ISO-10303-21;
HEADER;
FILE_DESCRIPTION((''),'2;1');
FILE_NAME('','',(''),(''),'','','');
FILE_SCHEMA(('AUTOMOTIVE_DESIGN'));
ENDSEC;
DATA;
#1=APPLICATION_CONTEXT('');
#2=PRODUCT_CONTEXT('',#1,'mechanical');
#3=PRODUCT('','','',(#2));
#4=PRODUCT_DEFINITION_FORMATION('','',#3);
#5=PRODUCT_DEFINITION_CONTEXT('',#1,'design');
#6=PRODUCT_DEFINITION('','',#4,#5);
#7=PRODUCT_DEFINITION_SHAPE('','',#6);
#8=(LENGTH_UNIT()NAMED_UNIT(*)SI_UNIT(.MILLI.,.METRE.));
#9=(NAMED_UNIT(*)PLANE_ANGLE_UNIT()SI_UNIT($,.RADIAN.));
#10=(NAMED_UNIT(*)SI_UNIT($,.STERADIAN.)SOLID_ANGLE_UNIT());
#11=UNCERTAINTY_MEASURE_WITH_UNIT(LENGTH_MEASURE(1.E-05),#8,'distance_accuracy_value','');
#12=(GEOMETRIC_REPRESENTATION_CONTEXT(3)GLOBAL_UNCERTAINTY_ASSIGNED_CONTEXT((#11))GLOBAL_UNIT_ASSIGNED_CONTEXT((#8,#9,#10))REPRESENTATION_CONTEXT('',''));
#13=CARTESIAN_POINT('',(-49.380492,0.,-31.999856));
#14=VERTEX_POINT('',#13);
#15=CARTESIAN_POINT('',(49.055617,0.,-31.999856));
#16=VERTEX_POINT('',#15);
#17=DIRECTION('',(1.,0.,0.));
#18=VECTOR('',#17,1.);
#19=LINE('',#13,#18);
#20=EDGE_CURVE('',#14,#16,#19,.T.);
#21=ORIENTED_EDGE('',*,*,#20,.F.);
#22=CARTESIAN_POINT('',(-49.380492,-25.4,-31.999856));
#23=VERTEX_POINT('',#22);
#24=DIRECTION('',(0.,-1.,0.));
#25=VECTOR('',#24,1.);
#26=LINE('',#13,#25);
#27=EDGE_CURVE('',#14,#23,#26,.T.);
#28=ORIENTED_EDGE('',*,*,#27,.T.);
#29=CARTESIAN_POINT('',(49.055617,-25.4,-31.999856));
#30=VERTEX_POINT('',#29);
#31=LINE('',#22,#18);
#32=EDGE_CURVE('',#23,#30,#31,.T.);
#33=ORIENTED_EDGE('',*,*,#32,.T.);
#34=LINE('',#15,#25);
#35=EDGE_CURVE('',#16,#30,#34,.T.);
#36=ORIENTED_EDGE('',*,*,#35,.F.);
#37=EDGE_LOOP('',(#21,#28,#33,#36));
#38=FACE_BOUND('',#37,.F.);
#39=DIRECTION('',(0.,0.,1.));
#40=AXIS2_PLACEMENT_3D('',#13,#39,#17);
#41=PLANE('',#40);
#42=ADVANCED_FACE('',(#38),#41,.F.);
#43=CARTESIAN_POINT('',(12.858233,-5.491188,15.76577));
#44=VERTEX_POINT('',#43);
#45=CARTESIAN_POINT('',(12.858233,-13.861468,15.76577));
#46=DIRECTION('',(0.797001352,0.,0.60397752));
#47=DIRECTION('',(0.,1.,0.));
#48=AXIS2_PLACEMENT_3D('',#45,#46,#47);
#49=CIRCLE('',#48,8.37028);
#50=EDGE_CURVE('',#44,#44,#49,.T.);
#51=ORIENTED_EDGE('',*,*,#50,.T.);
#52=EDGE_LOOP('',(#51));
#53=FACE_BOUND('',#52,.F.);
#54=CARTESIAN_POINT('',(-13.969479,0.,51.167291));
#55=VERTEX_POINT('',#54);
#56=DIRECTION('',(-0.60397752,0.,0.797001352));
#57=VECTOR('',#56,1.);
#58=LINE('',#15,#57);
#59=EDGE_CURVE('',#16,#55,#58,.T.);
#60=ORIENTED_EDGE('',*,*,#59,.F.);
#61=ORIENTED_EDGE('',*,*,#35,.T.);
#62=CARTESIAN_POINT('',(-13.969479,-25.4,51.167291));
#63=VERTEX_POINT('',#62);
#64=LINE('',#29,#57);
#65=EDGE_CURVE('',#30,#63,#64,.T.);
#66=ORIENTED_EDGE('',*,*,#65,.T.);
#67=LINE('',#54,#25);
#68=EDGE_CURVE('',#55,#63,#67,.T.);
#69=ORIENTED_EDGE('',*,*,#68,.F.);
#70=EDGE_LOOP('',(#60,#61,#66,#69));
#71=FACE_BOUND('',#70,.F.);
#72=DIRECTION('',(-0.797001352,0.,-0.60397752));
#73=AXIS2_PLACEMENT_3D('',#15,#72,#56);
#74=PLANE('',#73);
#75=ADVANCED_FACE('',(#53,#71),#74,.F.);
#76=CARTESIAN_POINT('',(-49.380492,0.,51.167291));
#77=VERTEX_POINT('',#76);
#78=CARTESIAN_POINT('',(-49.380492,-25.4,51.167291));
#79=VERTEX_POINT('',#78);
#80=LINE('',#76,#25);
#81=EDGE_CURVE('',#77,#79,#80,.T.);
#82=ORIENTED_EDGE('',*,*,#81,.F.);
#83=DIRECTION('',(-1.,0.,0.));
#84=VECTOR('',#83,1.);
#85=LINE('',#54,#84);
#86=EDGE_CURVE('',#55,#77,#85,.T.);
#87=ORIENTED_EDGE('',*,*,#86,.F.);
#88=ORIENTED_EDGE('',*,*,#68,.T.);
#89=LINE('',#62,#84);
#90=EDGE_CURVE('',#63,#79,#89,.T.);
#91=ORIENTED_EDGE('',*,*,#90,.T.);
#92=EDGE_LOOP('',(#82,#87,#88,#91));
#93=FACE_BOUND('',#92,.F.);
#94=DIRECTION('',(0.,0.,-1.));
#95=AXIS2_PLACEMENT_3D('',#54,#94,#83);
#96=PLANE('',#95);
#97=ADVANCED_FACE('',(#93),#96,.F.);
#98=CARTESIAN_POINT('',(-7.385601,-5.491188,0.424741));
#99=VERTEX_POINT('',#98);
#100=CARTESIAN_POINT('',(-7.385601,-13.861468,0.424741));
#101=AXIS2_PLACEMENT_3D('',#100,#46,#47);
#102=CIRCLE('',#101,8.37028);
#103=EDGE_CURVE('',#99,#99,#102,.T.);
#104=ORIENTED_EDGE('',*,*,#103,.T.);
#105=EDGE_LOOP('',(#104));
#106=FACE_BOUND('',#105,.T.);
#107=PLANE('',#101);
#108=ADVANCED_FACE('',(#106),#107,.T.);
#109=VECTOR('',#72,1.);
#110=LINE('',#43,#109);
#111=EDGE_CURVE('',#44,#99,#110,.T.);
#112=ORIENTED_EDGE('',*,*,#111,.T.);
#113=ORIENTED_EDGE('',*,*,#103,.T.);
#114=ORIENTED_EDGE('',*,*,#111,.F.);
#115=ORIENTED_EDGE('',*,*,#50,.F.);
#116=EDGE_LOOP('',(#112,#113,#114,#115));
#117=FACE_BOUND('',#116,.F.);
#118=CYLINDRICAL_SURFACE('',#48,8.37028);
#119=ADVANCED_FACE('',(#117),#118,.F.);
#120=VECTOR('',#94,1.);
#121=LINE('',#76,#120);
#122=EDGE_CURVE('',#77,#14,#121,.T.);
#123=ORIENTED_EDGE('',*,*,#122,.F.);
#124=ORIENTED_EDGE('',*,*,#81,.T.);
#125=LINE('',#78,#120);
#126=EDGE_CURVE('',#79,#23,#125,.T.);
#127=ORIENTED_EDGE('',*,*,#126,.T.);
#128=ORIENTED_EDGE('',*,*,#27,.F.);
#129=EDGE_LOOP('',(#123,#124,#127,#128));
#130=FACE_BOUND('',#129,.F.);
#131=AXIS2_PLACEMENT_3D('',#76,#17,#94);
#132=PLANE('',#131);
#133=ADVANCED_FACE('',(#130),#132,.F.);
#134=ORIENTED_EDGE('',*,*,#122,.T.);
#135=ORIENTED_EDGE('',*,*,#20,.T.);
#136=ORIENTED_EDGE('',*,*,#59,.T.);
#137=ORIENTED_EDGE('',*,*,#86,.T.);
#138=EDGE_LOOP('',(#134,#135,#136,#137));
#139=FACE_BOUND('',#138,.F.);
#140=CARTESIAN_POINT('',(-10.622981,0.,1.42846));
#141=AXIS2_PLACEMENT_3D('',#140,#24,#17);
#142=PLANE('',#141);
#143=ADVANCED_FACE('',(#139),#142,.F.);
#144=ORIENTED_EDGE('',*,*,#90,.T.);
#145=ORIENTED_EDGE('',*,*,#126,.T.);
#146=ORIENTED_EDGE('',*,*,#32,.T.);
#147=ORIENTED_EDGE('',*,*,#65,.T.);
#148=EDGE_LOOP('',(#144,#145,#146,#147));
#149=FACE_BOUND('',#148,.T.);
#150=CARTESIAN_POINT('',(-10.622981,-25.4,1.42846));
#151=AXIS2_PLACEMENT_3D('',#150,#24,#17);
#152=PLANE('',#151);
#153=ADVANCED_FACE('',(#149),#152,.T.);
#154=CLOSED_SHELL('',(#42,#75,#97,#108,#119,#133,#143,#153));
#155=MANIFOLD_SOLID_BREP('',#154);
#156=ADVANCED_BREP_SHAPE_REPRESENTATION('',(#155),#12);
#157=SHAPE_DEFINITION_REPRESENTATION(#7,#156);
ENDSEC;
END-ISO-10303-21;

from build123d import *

# Parameters (mm, degrees)
F1_DEPTH      = 25.4
F2_R          = 8.3702798741
F3_DEPTH      = 25.4
F3_DEPTH_BACK = 25.4


with BuildPart() as f1:
    # F0 (on Front) → F1 (new body)
    with BuildSketch(Plane.XZ):
        Polygon((-13.9694791287, 51.1672906578), (-49.380492419, 51.1672906578), (-49.380492419, -31.9998562336), (49.0556173027, -31.9998562336), align=None)
    extrude(amount=F1_DEPTH)

    # F2 (on face) → F3 (cut, two sides)
    with BuildSketch(Plane(origin=(15.7568757704, 0, 11.9407560799), x_dir=(0, 1, 0), z_dir=(0.7970013524, 0, 0.6039775196))) as f3_sk:
        with Locations((-13.8614680618, 4.7992561013)):
            Circle(F2_R)
    extrude(amount=-F3_DEPTH, mode=Mode.SUBTRACT)
    extrude(f3_sk.sketch, amount=F3_DEPTH_BACK, mode=Mode.SUBTRACT)


solid = f1.part
